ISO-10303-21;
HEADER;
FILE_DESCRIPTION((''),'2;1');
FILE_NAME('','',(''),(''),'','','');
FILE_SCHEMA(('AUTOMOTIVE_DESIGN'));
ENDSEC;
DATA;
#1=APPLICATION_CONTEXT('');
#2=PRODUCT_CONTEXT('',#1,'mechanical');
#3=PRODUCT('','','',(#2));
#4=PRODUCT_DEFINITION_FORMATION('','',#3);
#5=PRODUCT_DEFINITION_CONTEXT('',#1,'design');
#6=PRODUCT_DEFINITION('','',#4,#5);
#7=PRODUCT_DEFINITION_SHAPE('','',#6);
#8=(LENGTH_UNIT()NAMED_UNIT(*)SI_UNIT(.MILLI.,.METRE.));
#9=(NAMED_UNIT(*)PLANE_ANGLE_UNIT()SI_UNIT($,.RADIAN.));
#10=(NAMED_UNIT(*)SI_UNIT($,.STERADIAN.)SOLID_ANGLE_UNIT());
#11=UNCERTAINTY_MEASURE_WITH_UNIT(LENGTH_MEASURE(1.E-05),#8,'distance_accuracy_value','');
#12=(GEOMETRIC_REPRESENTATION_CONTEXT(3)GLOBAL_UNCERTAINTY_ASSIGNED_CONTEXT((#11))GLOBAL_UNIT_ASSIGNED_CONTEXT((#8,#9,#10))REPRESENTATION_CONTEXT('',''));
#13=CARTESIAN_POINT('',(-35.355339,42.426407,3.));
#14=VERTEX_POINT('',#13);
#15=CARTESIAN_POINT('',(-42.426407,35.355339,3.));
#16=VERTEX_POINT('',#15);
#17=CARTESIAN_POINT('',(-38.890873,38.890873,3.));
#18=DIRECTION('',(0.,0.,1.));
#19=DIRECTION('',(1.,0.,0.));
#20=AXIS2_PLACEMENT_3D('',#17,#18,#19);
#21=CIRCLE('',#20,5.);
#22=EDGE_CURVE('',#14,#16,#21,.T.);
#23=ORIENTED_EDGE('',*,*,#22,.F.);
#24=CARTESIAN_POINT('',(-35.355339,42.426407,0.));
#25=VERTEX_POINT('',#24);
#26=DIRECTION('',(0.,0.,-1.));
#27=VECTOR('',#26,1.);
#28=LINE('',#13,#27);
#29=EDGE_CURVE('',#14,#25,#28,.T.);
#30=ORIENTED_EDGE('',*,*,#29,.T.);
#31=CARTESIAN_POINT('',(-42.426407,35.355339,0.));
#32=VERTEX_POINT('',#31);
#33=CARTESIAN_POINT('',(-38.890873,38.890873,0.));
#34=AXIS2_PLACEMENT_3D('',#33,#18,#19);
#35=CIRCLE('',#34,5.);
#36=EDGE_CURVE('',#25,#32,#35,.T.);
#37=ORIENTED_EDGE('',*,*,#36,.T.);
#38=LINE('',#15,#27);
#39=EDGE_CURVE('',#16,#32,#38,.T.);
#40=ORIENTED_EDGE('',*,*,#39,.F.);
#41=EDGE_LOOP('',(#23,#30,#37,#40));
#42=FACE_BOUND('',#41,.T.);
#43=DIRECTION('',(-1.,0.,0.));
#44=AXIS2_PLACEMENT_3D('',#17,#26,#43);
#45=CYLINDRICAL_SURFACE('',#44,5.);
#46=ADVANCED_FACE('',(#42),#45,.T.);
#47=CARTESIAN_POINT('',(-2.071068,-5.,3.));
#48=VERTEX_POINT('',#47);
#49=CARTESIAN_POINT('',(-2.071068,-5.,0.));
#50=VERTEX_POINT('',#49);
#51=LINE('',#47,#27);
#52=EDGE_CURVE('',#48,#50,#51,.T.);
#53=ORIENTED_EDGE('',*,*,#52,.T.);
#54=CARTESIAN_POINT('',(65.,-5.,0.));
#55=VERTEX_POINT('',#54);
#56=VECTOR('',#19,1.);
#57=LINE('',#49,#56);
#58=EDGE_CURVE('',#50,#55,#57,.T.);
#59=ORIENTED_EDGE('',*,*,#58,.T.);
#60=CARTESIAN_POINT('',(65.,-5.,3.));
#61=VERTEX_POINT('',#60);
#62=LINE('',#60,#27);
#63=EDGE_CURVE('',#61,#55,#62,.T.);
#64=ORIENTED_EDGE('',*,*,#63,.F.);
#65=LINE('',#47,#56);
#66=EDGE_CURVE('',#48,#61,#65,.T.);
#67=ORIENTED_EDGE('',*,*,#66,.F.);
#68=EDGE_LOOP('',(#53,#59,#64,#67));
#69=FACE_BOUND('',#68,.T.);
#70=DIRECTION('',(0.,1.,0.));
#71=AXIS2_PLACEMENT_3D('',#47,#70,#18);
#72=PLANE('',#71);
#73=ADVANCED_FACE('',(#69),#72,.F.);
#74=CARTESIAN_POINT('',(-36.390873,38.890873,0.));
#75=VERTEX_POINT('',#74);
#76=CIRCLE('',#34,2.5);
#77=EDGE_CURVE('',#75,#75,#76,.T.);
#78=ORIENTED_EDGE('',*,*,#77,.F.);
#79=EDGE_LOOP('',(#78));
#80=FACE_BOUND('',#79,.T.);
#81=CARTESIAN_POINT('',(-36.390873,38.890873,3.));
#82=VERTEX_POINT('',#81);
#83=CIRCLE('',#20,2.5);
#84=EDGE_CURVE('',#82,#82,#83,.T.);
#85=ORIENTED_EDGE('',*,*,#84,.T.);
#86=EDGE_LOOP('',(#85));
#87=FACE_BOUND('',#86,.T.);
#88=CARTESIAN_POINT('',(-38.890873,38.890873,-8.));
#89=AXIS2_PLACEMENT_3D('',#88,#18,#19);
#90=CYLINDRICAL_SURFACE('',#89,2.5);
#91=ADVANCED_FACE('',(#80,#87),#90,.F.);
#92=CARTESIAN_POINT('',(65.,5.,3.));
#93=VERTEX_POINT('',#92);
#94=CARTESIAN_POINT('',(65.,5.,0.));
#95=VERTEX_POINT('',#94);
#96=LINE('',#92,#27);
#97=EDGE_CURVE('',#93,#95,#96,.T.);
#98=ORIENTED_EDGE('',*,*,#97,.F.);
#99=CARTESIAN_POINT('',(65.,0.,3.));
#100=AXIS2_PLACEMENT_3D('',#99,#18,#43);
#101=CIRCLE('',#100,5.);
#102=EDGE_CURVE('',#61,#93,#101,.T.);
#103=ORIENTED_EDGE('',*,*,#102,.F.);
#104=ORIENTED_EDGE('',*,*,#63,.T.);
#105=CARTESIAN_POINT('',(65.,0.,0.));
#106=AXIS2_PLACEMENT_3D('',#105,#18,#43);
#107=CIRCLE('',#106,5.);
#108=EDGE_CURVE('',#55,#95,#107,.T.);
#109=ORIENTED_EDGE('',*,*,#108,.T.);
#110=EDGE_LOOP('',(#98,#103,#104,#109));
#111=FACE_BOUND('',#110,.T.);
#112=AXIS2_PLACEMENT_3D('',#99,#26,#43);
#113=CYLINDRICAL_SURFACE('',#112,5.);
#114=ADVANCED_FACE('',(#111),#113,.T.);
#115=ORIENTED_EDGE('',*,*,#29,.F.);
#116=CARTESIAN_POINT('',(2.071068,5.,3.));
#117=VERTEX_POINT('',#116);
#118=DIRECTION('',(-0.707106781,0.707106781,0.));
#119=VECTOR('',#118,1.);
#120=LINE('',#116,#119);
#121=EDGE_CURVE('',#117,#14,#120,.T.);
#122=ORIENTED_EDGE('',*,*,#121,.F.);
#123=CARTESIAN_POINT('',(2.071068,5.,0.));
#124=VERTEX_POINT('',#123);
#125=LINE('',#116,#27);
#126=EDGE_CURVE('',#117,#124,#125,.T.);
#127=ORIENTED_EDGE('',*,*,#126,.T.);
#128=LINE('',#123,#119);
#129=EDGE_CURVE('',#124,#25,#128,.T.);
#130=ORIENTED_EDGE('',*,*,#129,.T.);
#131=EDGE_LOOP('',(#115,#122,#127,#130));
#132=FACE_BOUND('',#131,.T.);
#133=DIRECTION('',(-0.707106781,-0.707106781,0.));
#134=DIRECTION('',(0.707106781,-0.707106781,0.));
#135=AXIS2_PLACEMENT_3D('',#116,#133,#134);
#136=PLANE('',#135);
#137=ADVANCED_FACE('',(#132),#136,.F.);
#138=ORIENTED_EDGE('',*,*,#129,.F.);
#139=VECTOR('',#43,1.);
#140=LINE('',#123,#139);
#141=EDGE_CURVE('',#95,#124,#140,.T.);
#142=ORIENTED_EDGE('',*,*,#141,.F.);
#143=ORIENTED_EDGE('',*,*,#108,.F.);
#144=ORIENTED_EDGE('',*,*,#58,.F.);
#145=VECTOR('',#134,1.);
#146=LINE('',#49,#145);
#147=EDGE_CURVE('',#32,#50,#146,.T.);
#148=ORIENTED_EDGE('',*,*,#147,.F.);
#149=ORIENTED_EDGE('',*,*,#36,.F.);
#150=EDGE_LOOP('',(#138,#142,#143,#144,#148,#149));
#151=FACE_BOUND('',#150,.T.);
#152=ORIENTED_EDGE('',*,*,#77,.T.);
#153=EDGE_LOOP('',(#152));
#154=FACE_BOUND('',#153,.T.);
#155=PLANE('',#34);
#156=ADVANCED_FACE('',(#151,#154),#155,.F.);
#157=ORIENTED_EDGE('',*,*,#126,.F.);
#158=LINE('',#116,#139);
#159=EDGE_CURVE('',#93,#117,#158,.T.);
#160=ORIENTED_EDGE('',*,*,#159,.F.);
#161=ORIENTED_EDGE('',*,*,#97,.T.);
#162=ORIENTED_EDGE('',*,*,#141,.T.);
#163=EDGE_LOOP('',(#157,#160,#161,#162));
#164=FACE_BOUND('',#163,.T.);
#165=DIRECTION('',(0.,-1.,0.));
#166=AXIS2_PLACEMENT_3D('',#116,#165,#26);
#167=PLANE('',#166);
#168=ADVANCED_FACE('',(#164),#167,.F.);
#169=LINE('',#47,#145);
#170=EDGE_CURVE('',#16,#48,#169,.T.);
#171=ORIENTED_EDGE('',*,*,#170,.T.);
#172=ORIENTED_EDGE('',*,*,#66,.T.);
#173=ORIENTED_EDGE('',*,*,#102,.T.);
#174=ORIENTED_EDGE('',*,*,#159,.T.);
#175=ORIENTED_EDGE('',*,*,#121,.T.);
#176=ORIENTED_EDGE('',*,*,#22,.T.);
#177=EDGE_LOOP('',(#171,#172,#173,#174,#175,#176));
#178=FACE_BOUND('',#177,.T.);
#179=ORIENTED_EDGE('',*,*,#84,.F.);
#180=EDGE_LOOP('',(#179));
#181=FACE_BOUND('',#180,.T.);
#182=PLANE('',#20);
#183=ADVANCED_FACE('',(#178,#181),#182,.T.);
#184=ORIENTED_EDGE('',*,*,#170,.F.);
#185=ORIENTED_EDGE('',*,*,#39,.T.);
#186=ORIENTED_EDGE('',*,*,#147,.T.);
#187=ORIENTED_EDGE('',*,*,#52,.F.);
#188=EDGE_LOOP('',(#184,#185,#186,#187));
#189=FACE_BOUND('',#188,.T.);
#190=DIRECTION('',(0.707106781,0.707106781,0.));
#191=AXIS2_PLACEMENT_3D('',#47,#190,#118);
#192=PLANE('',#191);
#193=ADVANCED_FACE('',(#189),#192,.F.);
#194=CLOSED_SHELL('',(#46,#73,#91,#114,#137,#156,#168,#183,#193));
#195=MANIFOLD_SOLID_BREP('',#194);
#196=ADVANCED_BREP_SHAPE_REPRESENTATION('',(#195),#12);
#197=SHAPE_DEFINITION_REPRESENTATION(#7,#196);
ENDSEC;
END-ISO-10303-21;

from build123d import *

# Parameters (mm, degrees)
BOSS_EXTRUDE1_DEPTH = 3
SKETCH3_R           = 2.5
CUT_EXTRUDE1_DEPTH  = 11


with BuildPart() as part:
    # Sketch2 → Boss-Extrude1 (new body)
    with BuildSketch(Plane.XY):
        with BuildLine():
            Line((2.071067812, 5), (65, 5))
            ThreePointArc((65, 5), (70, 0), (65, -5))
            Line((65, -5), (-2.071067812, -5))
            Line((-2.071067812, -5), (-42.426406871, 35.355339059))
            ThreePointArc((-42.426406871, 35.355339059), (-42.426406871, 42.426406871), (-35.355339059, 42.426406871))
            Line((-35.355339059, 42.426406871), (2.071067812, 5))
        make_face()
    extrude(amount=BOSS_EXTRUDE1_DEPTH)

    # Sketch3 → Cut-Extrude1 (cut)
    with BuildSketch(Plane.XY.offset(3)):
        with Locations((-38.890872965, 38.890872965)):
            Circle(SKETCH3_R)
    extrude(amount=-CUT_EXTRUDE1_DEPTH, mode=Mode.SUBTRACT)


solid = part.part
